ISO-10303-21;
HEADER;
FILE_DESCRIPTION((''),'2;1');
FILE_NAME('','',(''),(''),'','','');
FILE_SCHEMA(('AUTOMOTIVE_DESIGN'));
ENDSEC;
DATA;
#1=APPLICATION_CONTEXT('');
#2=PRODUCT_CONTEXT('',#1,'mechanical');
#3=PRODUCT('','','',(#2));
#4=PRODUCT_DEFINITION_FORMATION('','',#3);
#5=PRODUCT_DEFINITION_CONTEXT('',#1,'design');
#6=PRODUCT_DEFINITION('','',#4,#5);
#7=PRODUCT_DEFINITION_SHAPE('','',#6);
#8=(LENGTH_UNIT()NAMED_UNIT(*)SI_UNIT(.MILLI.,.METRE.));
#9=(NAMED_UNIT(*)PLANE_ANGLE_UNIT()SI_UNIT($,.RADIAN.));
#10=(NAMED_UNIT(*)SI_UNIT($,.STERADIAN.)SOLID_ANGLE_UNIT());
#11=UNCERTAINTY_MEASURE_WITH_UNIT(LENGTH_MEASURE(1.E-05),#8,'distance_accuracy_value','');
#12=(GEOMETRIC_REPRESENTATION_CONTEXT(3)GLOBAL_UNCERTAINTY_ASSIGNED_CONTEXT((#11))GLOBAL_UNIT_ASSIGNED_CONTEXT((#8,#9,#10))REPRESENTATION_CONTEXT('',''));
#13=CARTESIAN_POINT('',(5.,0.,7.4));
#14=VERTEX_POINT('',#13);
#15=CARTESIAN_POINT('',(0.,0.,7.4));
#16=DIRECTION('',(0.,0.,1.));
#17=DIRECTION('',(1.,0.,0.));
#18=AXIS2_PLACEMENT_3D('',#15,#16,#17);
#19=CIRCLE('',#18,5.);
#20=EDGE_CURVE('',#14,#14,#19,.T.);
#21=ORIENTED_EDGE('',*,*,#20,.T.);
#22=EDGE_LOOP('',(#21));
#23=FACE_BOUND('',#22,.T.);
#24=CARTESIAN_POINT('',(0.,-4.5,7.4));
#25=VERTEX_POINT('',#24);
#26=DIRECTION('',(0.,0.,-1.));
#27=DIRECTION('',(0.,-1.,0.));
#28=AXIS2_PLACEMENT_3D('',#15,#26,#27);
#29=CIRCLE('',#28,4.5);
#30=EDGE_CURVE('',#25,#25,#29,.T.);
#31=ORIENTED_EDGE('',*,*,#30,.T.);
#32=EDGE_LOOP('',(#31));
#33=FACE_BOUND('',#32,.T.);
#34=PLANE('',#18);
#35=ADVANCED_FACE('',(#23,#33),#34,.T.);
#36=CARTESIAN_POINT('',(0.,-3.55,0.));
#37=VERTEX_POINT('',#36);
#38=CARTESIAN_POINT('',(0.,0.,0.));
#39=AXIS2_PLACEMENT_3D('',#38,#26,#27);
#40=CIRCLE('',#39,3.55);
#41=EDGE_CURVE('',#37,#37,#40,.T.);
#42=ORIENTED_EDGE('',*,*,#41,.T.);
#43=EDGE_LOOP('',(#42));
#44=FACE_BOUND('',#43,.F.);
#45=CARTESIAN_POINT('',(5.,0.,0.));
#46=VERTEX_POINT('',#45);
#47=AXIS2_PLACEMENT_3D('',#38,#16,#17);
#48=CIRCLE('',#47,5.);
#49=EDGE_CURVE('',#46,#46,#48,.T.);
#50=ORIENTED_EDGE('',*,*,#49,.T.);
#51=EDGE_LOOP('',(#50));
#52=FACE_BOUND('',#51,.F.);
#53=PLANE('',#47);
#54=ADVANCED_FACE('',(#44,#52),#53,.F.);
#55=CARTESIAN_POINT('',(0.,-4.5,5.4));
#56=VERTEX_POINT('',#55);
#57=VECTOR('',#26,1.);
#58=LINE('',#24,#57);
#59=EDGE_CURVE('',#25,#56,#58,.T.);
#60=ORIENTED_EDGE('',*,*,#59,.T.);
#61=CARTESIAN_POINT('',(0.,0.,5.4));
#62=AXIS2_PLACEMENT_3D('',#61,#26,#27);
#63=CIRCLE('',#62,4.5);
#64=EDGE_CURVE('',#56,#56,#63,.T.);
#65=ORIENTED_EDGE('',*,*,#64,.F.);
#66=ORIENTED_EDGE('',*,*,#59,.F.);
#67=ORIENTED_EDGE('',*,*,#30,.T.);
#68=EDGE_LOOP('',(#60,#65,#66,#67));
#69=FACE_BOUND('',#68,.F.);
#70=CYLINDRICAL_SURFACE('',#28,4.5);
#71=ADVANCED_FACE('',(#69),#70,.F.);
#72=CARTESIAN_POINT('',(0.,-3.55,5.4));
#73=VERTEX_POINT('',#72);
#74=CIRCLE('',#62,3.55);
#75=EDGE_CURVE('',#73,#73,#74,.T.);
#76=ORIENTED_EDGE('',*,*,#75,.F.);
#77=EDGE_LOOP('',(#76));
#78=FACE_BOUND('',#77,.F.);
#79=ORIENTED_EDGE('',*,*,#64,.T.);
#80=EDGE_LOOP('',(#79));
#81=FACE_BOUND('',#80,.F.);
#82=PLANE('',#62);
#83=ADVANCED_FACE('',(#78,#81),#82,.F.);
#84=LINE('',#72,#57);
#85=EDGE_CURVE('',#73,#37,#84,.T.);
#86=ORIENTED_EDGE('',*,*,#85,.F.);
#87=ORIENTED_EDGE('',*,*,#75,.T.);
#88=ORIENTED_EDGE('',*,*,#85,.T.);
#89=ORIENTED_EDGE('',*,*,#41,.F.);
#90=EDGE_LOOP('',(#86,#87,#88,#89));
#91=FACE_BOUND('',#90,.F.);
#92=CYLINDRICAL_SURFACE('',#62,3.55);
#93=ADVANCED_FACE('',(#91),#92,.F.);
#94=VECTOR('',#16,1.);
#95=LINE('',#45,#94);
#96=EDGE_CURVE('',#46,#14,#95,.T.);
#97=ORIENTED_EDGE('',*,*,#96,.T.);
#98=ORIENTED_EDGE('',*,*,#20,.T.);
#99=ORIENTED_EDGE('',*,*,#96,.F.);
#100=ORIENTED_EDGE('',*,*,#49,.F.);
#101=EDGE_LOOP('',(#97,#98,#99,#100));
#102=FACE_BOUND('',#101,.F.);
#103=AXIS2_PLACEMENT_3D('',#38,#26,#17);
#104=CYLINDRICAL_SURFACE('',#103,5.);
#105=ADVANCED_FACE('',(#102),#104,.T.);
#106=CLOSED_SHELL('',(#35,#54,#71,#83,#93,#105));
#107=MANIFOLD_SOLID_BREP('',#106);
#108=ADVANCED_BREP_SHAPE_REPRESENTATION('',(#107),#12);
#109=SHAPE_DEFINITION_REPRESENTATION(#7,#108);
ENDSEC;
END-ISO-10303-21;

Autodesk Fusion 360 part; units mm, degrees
sketch "Sketch1" plane through (0, 0, 0) normal (0, 0, 1) x (1, 0, 0)
  circle A0 centre (0, 0) radius 5
  dimension "d1" = 10
extrude "Extrude1" add sketch "Sketch1" along normal blind 7.4
hole "Hole1" at (0, 0, 7.4) direction (0, 0, -1) diameter 7.1 depth 8 tip angle 118 counterbore diameter 9 counterbore depth 2
